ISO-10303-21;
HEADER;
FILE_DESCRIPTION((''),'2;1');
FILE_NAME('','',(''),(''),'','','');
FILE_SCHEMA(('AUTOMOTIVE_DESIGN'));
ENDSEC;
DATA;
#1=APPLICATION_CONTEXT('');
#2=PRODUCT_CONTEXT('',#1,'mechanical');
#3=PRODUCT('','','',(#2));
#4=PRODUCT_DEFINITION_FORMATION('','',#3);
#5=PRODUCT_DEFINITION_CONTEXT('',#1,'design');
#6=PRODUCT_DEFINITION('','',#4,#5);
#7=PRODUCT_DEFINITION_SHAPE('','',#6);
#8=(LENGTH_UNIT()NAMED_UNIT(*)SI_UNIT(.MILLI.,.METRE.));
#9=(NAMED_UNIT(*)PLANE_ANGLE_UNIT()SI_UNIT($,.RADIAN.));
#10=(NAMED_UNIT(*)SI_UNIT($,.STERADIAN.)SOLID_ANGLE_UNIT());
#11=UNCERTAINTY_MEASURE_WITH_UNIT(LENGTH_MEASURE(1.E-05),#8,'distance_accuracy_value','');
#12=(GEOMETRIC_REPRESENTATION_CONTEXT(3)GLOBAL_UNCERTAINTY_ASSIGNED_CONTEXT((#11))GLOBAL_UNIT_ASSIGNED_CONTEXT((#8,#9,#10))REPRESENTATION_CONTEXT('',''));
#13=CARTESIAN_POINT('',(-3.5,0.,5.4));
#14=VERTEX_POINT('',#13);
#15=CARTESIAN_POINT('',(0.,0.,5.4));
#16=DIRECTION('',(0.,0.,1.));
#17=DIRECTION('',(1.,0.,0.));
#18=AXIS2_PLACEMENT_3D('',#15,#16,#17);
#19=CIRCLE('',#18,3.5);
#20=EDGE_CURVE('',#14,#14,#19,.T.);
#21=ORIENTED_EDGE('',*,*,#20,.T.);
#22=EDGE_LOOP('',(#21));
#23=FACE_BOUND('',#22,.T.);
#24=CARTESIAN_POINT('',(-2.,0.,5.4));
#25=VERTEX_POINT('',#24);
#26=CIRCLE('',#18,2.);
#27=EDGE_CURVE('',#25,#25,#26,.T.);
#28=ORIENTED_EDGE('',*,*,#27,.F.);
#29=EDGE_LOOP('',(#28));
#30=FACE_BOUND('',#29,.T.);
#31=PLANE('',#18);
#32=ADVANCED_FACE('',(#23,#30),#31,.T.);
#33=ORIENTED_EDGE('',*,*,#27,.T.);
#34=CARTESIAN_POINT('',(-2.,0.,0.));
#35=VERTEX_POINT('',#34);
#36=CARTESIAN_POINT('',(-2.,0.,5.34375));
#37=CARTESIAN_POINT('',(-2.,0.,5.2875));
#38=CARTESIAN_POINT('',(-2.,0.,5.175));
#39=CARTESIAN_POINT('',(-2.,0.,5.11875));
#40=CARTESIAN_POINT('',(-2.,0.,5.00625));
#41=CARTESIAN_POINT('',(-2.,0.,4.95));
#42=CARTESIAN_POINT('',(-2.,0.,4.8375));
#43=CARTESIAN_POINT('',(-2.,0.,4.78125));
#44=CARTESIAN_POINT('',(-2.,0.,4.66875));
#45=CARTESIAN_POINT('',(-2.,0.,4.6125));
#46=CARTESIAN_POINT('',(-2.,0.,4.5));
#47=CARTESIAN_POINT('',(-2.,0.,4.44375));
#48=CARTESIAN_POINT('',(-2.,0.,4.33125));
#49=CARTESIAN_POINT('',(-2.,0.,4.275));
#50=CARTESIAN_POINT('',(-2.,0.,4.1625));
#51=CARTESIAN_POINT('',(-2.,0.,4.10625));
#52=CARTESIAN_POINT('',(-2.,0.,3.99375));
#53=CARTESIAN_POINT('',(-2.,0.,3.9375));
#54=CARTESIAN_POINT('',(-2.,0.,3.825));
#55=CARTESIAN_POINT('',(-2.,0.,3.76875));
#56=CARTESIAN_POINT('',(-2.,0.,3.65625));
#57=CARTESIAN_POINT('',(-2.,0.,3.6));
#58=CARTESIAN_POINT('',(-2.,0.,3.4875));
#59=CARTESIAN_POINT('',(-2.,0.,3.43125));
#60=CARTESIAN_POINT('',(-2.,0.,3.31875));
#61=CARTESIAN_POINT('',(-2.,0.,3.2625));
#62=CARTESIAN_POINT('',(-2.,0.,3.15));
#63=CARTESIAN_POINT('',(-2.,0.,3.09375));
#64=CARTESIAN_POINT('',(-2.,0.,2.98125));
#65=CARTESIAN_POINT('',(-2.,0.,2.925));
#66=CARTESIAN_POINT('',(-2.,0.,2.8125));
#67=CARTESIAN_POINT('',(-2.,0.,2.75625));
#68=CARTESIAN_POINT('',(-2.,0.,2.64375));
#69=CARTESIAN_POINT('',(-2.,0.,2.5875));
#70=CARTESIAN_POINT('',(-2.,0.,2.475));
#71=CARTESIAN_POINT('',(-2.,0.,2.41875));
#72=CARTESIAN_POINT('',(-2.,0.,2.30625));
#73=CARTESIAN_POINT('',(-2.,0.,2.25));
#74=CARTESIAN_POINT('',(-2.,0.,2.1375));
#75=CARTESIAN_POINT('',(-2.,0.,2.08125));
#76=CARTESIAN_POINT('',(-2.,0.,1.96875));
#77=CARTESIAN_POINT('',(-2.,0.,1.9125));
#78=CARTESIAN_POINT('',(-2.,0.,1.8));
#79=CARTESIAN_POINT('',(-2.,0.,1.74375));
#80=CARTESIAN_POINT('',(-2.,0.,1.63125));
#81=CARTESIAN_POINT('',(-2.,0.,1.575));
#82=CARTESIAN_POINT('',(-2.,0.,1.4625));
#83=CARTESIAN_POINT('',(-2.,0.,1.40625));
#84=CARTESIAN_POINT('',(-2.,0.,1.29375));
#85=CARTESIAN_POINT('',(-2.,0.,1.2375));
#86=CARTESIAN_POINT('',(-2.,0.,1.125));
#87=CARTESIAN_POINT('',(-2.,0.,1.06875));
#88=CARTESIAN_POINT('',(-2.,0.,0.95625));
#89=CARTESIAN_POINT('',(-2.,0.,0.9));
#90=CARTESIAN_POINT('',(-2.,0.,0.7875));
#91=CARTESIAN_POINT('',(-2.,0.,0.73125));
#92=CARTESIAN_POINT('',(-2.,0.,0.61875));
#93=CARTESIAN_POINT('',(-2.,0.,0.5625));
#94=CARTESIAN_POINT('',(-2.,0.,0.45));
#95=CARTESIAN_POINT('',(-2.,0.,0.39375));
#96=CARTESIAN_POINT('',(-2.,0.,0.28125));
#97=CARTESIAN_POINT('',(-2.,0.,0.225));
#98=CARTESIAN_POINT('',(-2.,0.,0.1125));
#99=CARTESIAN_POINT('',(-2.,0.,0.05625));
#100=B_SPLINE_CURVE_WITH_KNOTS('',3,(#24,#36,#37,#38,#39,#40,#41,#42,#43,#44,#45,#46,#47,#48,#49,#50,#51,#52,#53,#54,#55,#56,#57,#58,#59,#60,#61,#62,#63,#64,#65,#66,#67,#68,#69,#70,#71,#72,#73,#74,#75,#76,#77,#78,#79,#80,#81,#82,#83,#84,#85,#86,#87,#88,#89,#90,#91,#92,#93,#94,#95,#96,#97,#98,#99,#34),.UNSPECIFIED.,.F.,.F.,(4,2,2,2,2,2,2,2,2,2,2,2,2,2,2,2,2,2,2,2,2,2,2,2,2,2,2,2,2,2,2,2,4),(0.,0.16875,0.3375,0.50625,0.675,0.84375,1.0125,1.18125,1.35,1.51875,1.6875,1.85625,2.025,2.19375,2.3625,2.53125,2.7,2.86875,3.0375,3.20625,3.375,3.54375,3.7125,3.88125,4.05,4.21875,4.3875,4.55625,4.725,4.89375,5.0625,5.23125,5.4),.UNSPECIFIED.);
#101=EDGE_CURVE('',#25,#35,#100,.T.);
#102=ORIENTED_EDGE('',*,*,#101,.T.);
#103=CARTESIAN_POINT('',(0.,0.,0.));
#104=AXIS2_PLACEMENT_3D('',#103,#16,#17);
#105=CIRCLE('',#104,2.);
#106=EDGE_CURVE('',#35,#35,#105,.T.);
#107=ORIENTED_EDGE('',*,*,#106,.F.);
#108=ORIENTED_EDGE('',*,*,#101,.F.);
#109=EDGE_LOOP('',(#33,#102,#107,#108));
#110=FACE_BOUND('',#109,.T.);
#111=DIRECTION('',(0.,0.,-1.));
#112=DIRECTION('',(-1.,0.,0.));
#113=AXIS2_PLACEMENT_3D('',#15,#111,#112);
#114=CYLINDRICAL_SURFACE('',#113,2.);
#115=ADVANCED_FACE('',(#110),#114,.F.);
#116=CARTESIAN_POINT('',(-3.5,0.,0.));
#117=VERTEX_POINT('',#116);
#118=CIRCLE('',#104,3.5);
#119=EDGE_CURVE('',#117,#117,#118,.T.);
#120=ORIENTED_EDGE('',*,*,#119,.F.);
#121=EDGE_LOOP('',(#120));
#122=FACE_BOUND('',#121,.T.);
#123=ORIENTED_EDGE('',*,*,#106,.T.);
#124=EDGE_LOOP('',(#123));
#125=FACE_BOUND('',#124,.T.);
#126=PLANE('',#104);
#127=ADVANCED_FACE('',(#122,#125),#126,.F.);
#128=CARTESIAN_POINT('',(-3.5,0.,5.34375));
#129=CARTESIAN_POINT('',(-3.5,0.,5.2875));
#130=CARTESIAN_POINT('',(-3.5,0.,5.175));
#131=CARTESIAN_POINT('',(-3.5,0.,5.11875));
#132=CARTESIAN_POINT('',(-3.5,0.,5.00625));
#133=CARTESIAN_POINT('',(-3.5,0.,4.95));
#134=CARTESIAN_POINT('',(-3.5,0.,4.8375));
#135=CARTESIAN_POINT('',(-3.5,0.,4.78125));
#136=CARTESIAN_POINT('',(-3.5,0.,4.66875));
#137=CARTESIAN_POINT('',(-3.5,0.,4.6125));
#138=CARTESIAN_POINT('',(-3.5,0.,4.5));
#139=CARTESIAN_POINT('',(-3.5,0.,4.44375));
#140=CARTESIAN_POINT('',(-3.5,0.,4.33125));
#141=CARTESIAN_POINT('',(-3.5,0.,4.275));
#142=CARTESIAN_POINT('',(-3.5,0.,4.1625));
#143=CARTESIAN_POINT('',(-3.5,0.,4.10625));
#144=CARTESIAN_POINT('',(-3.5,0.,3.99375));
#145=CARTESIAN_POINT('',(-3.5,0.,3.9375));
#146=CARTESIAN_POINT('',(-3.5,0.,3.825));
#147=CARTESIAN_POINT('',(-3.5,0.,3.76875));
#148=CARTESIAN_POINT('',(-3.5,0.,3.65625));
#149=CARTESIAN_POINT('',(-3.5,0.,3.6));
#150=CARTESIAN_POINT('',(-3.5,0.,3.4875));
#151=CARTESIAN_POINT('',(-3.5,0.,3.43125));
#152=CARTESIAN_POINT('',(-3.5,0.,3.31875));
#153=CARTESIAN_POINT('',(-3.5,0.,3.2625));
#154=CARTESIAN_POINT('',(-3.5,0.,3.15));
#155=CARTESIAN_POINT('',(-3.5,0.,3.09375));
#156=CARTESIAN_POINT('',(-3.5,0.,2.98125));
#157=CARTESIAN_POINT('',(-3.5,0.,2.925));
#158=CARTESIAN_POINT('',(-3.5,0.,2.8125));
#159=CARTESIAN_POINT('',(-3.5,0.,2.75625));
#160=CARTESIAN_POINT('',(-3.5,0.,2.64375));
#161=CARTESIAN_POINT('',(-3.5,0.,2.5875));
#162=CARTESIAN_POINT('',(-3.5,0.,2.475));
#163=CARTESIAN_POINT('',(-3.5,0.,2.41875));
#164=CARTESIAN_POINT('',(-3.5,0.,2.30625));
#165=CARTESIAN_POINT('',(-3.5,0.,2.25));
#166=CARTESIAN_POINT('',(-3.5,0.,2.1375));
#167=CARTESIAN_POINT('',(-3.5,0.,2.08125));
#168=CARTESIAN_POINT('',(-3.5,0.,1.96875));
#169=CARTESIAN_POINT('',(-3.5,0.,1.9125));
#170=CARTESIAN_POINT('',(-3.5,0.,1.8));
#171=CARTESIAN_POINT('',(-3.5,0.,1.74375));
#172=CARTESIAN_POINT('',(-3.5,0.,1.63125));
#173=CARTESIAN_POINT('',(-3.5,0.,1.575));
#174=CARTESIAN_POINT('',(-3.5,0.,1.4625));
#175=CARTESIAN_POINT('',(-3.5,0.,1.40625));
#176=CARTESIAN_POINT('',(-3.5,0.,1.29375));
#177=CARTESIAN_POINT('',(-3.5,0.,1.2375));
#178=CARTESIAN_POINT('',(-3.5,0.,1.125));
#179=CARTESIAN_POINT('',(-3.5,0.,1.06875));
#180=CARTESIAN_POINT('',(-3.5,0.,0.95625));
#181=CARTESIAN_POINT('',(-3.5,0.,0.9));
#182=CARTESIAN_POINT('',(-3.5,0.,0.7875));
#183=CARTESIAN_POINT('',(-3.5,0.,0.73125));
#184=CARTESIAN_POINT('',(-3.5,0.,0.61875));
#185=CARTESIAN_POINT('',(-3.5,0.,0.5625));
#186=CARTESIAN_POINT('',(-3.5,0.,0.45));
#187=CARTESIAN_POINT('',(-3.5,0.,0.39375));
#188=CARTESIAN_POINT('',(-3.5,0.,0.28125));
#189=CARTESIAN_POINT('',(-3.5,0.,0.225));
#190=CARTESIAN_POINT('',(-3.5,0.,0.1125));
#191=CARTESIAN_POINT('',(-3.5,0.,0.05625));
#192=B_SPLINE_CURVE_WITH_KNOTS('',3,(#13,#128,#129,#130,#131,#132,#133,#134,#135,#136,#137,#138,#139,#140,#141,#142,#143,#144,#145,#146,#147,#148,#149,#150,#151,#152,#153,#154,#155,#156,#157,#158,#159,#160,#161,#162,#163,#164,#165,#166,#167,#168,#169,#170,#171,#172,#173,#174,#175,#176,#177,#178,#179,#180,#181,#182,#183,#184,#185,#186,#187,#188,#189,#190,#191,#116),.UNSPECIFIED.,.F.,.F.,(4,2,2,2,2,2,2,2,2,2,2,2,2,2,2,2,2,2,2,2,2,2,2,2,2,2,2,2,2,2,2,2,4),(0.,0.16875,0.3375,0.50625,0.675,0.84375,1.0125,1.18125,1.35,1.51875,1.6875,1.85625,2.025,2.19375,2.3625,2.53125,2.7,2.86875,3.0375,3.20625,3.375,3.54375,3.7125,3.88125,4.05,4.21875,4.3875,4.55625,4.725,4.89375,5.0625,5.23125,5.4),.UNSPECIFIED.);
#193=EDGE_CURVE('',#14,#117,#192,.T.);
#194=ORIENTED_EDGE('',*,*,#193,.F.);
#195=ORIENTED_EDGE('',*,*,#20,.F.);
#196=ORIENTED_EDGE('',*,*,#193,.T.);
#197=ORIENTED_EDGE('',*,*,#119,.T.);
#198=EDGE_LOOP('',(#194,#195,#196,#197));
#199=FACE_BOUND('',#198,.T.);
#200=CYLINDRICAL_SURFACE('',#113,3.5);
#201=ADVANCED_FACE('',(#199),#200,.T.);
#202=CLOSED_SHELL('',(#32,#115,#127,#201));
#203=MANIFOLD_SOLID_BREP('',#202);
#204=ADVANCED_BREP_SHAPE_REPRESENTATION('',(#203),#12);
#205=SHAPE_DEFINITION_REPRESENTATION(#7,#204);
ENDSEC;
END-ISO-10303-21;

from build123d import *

# Parameters (mm, degrees)
SKETCH_1_R      = 3.5
SKETCH_1_R_2    = 2
EXTRUDE_1_DEPTH = 5.4


with BuildPart() as part:
    # 草图1 → 凸台-拉伸1 (new body)
    with BuildSketch(Plane.XY):
        with Locations(Location((0, 0, 0), (0, 0, 180))):
            Circle(SKETCH_1_R)
        with Locations(Location((0, 0, 0), (0, 0, 180))):
            Circle(SKETCH_1_R_2, mode=Mode.SUBTRACT)
    extrude(amount=EXTRUDE_1_DEPTH)


solid = part.part
